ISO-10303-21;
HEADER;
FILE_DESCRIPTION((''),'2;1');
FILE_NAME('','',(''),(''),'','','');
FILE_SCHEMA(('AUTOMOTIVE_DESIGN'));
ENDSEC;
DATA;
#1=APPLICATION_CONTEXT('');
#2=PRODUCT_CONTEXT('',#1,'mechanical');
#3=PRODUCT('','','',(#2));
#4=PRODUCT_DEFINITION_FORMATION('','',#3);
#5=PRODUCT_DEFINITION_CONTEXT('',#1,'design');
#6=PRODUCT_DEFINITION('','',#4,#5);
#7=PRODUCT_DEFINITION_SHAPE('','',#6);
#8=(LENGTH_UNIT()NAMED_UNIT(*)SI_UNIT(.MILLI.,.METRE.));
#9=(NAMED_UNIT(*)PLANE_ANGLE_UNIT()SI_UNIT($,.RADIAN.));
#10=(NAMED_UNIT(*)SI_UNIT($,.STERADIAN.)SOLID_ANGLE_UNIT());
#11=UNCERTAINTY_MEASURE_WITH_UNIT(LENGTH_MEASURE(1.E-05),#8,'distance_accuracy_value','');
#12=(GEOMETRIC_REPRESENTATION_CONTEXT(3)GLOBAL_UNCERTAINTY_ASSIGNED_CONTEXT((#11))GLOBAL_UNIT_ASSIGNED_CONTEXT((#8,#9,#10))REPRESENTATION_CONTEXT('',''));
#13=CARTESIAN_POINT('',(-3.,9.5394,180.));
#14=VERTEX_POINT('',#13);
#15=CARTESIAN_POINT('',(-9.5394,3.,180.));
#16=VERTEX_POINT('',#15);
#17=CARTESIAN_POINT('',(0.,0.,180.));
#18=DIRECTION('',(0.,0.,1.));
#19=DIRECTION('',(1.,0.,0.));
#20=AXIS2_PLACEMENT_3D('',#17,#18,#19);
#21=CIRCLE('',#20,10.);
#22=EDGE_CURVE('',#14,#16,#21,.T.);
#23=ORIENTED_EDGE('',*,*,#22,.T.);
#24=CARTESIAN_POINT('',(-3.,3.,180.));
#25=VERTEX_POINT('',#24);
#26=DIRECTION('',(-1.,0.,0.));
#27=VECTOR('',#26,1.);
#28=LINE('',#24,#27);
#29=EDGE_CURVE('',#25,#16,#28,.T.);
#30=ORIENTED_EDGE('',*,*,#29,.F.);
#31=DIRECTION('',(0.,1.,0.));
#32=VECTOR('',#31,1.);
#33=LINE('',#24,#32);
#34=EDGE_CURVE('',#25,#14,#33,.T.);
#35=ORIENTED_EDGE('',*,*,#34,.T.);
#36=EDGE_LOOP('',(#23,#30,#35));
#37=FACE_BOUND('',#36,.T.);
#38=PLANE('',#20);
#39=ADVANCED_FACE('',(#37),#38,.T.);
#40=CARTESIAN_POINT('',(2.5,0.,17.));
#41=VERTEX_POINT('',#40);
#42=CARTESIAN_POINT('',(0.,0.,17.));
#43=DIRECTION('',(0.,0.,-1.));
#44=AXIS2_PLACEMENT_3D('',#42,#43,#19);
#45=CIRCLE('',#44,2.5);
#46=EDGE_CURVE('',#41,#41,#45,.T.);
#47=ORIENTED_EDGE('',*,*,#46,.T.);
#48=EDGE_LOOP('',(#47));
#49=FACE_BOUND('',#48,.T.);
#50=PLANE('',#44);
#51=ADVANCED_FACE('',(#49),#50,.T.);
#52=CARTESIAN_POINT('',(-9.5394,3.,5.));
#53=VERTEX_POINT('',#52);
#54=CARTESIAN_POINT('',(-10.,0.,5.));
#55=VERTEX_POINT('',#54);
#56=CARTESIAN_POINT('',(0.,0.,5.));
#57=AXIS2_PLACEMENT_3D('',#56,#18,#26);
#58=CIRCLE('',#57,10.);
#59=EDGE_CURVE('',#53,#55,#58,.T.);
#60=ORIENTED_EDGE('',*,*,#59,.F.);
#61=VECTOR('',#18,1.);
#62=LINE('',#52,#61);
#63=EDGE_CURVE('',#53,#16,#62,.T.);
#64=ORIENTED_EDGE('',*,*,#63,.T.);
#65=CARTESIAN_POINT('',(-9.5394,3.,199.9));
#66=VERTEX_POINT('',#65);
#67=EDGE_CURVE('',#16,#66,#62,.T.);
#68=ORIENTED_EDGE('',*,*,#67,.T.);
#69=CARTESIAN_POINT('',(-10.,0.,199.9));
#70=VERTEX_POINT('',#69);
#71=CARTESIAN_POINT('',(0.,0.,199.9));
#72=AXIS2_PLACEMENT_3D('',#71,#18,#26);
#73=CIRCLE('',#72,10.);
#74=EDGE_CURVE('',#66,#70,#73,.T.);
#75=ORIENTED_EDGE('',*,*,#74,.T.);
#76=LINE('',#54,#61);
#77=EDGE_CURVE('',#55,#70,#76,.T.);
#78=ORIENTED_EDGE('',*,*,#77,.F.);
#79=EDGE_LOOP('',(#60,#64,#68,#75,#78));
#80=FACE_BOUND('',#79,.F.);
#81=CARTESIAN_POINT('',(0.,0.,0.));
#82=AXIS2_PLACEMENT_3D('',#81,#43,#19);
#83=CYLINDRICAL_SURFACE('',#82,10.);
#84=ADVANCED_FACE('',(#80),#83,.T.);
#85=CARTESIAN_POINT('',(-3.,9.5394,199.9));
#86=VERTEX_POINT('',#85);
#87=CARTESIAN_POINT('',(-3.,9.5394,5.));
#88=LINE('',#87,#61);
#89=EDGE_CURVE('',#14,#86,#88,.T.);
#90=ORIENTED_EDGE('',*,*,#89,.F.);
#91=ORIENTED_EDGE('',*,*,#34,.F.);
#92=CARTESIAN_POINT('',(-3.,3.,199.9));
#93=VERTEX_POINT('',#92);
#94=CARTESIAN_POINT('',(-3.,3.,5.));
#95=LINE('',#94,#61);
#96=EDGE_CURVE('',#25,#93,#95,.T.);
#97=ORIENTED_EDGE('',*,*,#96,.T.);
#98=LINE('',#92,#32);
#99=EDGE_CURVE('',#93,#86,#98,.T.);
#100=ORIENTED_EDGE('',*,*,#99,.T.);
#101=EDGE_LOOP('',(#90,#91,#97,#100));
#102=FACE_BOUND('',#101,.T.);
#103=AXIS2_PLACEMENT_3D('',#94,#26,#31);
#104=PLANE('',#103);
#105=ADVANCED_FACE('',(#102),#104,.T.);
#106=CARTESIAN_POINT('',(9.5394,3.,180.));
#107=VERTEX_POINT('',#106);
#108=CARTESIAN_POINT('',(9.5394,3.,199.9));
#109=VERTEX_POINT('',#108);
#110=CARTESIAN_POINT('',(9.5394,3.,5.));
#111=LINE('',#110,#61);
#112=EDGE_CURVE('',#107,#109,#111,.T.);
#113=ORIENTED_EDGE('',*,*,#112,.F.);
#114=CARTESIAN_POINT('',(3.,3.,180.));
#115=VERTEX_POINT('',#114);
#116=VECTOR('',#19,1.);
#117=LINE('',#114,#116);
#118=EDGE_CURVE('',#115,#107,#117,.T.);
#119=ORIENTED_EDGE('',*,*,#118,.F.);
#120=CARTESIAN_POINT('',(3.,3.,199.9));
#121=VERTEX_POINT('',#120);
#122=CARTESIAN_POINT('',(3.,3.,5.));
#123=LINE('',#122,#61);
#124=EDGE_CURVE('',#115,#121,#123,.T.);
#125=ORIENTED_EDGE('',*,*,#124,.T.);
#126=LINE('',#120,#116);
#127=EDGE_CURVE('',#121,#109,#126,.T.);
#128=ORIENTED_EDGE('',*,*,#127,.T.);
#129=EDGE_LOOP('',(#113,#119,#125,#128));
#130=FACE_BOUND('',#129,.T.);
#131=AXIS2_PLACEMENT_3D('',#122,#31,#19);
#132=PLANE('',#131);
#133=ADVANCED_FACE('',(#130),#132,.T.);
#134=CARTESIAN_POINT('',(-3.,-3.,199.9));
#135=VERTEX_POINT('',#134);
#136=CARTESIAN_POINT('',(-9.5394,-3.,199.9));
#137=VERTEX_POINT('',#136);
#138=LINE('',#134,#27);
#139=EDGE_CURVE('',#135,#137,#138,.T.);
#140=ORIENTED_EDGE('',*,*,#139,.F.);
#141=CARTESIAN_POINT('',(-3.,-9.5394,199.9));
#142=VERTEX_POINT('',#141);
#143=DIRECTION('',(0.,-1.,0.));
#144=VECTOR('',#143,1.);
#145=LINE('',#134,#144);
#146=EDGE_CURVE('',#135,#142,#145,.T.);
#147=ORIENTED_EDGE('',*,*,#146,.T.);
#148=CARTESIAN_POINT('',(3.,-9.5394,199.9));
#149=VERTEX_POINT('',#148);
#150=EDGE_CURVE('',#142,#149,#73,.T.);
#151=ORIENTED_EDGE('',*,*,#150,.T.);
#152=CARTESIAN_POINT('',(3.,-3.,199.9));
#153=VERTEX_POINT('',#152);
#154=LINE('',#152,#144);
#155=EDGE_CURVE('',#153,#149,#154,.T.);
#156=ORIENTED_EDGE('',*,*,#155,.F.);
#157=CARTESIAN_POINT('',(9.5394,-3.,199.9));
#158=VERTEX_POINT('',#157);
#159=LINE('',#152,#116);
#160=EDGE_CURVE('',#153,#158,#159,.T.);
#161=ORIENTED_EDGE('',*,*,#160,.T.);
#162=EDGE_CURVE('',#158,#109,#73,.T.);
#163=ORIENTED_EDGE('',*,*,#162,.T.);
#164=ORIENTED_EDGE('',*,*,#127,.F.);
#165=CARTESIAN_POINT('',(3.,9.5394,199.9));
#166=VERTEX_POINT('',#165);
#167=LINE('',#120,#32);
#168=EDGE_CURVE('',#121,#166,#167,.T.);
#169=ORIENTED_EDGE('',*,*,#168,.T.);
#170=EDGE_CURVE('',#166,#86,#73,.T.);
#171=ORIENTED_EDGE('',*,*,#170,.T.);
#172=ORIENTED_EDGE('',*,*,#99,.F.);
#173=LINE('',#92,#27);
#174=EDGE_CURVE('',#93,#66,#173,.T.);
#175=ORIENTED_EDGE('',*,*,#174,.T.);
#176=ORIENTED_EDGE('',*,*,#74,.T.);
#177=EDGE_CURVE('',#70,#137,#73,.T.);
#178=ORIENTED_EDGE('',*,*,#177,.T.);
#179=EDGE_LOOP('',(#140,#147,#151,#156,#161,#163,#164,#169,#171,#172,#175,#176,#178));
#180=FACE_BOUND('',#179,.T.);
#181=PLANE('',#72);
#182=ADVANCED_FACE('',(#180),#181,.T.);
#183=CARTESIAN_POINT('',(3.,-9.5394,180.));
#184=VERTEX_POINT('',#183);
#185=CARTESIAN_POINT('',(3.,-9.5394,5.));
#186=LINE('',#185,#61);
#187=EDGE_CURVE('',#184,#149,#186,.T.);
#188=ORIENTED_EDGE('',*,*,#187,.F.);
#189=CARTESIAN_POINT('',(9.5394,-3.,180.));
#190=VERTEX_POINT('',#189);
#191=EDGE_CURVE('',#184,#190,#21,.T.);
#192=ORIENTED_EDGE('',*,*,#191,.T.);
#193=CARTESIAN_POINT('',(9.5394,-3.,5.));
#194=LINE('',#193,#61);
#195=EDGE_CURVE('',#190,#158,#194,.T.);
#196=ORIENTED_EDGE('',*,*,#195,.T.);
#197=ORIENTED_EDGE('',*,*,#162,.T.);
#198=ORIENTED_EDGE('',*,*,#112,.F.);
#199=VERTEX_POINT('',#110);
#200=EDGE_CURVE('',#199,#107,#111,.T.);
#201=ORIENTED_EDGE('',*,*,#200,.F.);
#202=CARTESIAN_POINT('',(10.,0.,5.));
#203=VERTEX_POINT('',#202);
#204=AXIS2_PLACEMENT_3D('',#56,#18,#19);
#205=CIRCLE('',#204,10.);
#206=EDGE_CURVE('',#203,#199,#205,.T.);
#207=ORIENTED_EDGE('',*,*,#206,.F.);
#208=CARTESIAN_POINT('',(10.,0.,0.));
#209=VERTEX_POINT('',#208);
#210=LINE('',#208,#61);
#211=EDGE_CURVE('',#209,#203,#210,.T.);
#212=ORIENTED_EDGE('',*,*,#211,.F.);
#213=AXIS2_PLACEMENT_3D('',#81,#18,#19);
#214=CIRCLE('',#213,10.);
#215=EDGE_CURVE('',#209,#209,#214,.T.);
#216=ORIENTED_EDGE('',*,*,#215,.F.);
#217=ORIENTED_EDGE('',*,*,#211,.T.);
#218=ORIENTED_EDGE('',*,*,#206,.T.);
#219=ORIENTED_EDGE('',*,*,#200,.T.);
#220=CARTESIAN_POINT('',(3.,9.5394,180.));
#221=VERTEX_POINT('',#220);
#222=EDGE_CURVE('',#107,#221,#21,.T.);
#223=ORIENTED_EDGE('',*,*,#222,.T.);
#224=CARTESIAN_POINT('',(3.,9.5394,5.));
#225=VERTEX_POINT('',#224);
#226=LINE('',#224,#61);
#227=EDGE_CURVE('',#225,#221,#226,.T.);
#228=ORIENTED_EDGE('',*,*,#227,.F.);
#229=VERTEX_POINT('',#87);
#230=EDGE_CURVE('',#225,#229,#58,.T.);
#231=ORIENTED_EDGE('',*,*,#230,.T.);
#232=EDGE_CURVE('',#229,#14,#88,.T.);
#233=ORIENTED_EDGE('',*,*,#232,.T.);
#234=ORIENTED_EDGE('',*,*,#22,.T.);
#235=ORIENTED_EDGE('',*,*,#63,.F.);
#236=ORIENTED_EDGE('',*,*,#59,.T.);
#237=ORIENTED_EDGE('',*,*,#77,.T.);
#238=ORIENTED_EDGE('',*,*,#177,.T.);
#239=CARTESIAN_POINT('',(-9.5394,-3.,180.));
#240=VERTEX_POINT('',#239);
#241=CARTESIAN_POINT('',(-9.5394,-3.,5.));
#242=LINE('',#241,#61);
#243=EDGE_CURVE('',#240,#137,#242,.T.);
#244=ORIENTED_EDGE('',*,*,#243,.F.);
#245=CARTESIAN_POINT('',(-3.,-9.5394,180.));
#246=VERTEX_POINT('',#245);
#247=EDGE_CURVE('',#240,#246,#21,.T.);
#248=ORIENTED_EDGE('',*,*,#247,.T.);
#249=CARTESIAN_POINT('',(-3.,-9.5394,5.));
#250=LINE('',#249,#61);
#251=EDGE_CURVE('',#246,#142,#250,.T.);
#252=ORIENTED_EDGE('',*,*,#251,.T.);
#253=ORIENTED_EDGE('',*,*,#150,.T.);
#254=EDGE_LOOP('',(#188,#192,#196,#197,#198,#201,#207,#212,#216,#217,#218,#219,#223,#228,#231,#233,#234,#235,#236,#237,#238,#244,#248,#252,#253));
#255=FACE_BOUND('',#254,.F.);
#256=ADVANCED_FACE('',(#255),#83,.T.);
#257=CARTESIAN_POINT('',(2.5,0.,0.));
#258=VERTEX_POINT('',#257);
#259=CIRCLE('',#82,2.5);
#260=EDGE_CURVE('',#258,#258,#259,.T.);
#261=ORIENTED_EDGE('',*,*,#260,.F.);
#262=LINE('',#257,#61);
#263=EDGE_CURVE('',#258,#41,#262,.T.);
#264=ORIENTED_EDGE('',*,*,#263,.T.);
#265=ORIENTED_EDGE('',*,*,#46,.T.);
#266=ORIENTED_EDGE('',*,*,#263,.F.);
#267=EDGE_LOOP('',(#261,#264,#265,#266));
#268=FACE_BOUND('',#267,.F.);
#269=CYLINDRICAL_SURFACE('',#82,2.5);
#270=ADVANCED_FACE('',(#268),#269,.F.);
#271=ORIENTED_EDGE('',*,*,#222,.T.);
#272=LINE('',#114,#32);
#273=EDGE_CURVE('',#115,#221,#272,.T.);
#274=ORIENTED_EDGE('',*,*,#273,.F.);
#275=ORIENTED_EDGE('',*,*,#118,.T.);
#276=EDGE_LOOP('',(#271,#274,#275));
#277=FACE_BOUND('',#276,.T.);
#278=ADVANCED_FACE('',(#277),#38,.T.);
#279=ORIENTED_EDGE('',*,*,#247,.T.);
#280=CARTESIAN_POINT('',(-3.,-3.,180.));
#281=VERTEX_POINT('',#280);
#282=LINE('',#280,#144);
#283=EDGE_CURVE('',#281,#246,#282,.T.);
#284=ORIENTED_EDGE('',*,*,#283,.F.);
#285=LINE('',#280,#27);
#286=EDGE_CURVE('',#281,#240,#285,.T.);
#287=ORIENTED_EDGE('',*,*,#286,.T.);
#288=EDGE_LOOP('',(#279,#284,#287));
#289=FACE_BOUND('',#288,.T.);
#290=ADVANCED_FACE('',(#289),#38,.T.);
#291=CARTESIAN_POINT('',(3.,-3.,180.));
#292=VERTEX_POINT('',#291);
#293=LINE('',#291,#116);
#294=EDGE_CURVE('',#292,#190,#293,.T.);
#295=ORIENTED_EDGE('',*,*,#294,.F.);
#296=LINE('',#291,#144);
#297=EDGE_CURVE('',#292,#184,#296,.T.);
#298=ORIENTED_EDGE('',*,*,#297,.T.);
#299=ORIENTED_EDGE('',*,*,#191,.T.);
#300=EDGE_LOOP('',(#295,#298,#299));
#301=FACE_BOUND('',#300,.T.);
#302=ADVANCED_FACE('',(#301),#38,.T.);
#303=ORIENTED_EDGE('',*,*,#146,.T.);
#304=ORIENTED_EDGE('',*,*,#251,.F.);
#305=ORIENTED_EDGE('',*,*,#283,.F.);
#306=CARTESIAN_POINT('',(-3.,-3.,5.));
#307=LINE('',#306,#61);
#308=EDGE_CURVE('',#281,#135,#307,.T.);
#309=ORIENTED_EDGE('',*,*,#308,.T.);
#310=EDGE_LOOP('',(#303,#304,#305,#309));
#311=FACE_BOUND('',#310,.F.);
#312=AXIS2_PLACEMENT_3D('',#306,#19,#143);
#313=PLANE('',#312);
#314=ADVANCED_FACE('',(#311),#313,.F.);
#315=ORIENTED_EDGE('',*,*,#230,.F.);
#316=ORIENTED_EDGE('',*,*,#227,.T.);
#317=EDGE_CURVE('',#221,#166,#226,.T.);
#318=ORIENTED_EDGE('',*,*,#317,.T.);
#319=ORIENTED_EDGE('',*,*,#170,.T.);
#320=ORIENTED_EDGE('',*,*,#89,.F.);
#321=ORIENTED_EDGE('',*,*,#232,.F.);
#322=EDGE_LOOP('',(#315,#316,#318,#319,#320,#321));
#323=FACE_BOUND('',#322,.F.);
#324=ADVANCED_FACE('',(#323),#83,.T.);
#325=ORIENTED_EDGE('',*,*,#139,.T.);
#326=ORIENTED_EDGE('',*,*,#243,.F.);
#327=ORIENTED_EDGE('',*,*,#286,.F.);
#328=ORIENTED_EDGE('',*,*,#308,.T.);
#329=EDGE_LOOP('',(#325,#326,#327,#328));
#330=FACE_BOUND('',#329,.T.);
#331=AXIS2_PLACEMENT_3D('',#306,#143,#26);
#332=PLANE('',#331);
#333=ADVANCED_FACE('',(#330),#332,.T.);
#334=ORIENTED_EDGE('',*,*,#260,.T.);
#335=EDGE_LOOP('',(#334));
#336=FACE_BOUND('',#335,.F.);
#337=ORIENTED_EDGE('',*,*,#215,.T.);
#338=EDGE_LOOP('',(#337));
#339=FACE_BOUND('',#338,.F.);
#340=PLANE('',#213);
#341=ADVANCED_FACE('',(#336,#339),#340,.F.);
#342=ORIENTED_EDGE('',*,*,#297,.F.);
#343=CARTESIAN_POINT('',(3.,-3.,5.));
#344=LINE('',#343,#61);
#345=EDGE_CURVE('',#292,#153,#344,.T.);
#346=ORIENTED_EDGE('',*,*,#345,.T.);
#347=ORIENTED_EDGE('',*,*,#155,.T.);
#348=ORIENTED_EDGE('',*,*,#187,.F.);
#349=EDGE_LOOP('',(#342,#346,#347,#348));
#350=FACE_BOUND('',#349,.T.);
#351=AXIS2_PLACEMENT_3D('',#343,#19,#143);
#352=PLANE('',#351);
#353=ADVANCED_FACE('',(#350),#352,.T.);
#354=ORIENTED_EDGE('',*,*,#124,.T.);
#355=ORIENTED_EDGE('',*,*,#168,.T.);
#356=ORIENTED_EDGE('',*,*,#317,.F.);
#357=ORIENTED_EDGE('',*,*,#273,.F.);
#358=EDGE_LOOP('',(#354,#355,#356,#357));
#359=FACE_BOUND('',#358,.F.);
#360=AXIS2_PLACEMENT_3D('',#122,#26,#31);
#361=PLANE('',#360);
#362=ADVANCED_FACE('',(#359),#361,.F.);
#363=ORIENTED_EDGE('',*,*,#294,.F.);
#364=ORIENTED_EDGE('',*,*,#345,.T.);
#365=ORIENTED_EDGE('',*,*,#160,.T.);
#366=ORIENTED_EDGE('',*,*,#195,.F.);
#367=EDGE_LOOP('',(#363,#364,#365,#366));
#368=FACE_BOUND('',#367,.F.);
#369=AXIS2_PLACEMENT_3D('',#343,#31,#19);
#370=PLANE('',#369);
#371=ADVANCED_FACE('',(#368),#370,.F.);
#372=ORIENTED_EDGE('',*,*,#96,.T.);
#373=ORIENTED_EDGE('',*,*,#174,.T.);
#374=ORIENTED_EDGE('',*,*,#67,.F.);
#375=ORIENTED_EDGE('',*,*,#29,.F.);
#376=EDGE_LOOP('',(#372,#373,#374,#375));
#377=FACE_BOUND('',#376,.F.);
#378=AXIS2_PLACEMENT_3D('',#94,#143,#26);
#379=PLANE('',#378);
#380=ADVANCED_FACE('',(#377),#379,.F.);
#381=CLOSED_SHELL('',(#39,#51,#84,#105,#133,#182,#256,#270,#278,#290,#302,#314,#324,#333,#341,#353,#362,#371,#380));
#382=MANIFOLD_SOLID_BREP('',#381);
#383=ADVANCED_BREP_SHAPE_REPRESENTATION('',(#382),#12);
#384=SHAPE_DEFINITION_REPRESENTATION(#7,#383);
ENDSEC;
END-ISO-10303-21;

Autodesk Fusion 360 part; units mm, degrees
sketch "Sketch1" plane through (0, 0, 0) normal (0, 0, 1) x (1, 0, 0)
  circle A0 centre (0, 0) radius 10
  dimension "d1" = 20
extrude "Extrude1" add sketch "Sketch1" along normal blind 5
sketch "Sketch2" plane through (0, 0, 5) normal (0, 0, 1) x (-1, 0, 0)
  circle A0 centre (0, 0) radius 10
  line L0 (-3, -3) -> (-3, -9.5394)
  line L1 (3, 3) -> (3, 9.5394)
  line L2 (-3, 3) -> (-3, 9.5394)
  line L3 (3, -3) -> (3, -9.5394)
  line L4 (-3, 3) -> (-9.5394, 3)
  line L5 (3, 3) -> (9.5394, 3)
  line L6 (3, -3) -> (9.5394, -3)
  line L7 (-3, -3) -> (-9.5394, -3)
extrude "Extrude2" add sketch "Sketch2" along normal blind 194.9 contours A0 L0 L1 L2 L3 L4 L5 L6 L7
sketch "Sketch3" plane through (0, 0, 0) normal (0, 0, -1) x (1, 0, 0)
  circle A0 centre (0, 0) radius 10
  circle A1 centre (0, 0) radius 2.5
  dimension "d14" = 5
extrude "Extrude3" cut sketch "Sketch3" against normal blind 17 contours A1
extrude "Extrude4" add 4 faces at (5.7029, 5.7029, 5) (-5.7029, 5.7029, 5) (5.7029, -5.7029, 5) (-5.7029, -5.7029, 5) along direction (0, 0, 1) blind 175
equation "d12 = 196 mm - 5 mm + 3.9 mm"
equation "d17 = 195.00 mm - 20 mm"
